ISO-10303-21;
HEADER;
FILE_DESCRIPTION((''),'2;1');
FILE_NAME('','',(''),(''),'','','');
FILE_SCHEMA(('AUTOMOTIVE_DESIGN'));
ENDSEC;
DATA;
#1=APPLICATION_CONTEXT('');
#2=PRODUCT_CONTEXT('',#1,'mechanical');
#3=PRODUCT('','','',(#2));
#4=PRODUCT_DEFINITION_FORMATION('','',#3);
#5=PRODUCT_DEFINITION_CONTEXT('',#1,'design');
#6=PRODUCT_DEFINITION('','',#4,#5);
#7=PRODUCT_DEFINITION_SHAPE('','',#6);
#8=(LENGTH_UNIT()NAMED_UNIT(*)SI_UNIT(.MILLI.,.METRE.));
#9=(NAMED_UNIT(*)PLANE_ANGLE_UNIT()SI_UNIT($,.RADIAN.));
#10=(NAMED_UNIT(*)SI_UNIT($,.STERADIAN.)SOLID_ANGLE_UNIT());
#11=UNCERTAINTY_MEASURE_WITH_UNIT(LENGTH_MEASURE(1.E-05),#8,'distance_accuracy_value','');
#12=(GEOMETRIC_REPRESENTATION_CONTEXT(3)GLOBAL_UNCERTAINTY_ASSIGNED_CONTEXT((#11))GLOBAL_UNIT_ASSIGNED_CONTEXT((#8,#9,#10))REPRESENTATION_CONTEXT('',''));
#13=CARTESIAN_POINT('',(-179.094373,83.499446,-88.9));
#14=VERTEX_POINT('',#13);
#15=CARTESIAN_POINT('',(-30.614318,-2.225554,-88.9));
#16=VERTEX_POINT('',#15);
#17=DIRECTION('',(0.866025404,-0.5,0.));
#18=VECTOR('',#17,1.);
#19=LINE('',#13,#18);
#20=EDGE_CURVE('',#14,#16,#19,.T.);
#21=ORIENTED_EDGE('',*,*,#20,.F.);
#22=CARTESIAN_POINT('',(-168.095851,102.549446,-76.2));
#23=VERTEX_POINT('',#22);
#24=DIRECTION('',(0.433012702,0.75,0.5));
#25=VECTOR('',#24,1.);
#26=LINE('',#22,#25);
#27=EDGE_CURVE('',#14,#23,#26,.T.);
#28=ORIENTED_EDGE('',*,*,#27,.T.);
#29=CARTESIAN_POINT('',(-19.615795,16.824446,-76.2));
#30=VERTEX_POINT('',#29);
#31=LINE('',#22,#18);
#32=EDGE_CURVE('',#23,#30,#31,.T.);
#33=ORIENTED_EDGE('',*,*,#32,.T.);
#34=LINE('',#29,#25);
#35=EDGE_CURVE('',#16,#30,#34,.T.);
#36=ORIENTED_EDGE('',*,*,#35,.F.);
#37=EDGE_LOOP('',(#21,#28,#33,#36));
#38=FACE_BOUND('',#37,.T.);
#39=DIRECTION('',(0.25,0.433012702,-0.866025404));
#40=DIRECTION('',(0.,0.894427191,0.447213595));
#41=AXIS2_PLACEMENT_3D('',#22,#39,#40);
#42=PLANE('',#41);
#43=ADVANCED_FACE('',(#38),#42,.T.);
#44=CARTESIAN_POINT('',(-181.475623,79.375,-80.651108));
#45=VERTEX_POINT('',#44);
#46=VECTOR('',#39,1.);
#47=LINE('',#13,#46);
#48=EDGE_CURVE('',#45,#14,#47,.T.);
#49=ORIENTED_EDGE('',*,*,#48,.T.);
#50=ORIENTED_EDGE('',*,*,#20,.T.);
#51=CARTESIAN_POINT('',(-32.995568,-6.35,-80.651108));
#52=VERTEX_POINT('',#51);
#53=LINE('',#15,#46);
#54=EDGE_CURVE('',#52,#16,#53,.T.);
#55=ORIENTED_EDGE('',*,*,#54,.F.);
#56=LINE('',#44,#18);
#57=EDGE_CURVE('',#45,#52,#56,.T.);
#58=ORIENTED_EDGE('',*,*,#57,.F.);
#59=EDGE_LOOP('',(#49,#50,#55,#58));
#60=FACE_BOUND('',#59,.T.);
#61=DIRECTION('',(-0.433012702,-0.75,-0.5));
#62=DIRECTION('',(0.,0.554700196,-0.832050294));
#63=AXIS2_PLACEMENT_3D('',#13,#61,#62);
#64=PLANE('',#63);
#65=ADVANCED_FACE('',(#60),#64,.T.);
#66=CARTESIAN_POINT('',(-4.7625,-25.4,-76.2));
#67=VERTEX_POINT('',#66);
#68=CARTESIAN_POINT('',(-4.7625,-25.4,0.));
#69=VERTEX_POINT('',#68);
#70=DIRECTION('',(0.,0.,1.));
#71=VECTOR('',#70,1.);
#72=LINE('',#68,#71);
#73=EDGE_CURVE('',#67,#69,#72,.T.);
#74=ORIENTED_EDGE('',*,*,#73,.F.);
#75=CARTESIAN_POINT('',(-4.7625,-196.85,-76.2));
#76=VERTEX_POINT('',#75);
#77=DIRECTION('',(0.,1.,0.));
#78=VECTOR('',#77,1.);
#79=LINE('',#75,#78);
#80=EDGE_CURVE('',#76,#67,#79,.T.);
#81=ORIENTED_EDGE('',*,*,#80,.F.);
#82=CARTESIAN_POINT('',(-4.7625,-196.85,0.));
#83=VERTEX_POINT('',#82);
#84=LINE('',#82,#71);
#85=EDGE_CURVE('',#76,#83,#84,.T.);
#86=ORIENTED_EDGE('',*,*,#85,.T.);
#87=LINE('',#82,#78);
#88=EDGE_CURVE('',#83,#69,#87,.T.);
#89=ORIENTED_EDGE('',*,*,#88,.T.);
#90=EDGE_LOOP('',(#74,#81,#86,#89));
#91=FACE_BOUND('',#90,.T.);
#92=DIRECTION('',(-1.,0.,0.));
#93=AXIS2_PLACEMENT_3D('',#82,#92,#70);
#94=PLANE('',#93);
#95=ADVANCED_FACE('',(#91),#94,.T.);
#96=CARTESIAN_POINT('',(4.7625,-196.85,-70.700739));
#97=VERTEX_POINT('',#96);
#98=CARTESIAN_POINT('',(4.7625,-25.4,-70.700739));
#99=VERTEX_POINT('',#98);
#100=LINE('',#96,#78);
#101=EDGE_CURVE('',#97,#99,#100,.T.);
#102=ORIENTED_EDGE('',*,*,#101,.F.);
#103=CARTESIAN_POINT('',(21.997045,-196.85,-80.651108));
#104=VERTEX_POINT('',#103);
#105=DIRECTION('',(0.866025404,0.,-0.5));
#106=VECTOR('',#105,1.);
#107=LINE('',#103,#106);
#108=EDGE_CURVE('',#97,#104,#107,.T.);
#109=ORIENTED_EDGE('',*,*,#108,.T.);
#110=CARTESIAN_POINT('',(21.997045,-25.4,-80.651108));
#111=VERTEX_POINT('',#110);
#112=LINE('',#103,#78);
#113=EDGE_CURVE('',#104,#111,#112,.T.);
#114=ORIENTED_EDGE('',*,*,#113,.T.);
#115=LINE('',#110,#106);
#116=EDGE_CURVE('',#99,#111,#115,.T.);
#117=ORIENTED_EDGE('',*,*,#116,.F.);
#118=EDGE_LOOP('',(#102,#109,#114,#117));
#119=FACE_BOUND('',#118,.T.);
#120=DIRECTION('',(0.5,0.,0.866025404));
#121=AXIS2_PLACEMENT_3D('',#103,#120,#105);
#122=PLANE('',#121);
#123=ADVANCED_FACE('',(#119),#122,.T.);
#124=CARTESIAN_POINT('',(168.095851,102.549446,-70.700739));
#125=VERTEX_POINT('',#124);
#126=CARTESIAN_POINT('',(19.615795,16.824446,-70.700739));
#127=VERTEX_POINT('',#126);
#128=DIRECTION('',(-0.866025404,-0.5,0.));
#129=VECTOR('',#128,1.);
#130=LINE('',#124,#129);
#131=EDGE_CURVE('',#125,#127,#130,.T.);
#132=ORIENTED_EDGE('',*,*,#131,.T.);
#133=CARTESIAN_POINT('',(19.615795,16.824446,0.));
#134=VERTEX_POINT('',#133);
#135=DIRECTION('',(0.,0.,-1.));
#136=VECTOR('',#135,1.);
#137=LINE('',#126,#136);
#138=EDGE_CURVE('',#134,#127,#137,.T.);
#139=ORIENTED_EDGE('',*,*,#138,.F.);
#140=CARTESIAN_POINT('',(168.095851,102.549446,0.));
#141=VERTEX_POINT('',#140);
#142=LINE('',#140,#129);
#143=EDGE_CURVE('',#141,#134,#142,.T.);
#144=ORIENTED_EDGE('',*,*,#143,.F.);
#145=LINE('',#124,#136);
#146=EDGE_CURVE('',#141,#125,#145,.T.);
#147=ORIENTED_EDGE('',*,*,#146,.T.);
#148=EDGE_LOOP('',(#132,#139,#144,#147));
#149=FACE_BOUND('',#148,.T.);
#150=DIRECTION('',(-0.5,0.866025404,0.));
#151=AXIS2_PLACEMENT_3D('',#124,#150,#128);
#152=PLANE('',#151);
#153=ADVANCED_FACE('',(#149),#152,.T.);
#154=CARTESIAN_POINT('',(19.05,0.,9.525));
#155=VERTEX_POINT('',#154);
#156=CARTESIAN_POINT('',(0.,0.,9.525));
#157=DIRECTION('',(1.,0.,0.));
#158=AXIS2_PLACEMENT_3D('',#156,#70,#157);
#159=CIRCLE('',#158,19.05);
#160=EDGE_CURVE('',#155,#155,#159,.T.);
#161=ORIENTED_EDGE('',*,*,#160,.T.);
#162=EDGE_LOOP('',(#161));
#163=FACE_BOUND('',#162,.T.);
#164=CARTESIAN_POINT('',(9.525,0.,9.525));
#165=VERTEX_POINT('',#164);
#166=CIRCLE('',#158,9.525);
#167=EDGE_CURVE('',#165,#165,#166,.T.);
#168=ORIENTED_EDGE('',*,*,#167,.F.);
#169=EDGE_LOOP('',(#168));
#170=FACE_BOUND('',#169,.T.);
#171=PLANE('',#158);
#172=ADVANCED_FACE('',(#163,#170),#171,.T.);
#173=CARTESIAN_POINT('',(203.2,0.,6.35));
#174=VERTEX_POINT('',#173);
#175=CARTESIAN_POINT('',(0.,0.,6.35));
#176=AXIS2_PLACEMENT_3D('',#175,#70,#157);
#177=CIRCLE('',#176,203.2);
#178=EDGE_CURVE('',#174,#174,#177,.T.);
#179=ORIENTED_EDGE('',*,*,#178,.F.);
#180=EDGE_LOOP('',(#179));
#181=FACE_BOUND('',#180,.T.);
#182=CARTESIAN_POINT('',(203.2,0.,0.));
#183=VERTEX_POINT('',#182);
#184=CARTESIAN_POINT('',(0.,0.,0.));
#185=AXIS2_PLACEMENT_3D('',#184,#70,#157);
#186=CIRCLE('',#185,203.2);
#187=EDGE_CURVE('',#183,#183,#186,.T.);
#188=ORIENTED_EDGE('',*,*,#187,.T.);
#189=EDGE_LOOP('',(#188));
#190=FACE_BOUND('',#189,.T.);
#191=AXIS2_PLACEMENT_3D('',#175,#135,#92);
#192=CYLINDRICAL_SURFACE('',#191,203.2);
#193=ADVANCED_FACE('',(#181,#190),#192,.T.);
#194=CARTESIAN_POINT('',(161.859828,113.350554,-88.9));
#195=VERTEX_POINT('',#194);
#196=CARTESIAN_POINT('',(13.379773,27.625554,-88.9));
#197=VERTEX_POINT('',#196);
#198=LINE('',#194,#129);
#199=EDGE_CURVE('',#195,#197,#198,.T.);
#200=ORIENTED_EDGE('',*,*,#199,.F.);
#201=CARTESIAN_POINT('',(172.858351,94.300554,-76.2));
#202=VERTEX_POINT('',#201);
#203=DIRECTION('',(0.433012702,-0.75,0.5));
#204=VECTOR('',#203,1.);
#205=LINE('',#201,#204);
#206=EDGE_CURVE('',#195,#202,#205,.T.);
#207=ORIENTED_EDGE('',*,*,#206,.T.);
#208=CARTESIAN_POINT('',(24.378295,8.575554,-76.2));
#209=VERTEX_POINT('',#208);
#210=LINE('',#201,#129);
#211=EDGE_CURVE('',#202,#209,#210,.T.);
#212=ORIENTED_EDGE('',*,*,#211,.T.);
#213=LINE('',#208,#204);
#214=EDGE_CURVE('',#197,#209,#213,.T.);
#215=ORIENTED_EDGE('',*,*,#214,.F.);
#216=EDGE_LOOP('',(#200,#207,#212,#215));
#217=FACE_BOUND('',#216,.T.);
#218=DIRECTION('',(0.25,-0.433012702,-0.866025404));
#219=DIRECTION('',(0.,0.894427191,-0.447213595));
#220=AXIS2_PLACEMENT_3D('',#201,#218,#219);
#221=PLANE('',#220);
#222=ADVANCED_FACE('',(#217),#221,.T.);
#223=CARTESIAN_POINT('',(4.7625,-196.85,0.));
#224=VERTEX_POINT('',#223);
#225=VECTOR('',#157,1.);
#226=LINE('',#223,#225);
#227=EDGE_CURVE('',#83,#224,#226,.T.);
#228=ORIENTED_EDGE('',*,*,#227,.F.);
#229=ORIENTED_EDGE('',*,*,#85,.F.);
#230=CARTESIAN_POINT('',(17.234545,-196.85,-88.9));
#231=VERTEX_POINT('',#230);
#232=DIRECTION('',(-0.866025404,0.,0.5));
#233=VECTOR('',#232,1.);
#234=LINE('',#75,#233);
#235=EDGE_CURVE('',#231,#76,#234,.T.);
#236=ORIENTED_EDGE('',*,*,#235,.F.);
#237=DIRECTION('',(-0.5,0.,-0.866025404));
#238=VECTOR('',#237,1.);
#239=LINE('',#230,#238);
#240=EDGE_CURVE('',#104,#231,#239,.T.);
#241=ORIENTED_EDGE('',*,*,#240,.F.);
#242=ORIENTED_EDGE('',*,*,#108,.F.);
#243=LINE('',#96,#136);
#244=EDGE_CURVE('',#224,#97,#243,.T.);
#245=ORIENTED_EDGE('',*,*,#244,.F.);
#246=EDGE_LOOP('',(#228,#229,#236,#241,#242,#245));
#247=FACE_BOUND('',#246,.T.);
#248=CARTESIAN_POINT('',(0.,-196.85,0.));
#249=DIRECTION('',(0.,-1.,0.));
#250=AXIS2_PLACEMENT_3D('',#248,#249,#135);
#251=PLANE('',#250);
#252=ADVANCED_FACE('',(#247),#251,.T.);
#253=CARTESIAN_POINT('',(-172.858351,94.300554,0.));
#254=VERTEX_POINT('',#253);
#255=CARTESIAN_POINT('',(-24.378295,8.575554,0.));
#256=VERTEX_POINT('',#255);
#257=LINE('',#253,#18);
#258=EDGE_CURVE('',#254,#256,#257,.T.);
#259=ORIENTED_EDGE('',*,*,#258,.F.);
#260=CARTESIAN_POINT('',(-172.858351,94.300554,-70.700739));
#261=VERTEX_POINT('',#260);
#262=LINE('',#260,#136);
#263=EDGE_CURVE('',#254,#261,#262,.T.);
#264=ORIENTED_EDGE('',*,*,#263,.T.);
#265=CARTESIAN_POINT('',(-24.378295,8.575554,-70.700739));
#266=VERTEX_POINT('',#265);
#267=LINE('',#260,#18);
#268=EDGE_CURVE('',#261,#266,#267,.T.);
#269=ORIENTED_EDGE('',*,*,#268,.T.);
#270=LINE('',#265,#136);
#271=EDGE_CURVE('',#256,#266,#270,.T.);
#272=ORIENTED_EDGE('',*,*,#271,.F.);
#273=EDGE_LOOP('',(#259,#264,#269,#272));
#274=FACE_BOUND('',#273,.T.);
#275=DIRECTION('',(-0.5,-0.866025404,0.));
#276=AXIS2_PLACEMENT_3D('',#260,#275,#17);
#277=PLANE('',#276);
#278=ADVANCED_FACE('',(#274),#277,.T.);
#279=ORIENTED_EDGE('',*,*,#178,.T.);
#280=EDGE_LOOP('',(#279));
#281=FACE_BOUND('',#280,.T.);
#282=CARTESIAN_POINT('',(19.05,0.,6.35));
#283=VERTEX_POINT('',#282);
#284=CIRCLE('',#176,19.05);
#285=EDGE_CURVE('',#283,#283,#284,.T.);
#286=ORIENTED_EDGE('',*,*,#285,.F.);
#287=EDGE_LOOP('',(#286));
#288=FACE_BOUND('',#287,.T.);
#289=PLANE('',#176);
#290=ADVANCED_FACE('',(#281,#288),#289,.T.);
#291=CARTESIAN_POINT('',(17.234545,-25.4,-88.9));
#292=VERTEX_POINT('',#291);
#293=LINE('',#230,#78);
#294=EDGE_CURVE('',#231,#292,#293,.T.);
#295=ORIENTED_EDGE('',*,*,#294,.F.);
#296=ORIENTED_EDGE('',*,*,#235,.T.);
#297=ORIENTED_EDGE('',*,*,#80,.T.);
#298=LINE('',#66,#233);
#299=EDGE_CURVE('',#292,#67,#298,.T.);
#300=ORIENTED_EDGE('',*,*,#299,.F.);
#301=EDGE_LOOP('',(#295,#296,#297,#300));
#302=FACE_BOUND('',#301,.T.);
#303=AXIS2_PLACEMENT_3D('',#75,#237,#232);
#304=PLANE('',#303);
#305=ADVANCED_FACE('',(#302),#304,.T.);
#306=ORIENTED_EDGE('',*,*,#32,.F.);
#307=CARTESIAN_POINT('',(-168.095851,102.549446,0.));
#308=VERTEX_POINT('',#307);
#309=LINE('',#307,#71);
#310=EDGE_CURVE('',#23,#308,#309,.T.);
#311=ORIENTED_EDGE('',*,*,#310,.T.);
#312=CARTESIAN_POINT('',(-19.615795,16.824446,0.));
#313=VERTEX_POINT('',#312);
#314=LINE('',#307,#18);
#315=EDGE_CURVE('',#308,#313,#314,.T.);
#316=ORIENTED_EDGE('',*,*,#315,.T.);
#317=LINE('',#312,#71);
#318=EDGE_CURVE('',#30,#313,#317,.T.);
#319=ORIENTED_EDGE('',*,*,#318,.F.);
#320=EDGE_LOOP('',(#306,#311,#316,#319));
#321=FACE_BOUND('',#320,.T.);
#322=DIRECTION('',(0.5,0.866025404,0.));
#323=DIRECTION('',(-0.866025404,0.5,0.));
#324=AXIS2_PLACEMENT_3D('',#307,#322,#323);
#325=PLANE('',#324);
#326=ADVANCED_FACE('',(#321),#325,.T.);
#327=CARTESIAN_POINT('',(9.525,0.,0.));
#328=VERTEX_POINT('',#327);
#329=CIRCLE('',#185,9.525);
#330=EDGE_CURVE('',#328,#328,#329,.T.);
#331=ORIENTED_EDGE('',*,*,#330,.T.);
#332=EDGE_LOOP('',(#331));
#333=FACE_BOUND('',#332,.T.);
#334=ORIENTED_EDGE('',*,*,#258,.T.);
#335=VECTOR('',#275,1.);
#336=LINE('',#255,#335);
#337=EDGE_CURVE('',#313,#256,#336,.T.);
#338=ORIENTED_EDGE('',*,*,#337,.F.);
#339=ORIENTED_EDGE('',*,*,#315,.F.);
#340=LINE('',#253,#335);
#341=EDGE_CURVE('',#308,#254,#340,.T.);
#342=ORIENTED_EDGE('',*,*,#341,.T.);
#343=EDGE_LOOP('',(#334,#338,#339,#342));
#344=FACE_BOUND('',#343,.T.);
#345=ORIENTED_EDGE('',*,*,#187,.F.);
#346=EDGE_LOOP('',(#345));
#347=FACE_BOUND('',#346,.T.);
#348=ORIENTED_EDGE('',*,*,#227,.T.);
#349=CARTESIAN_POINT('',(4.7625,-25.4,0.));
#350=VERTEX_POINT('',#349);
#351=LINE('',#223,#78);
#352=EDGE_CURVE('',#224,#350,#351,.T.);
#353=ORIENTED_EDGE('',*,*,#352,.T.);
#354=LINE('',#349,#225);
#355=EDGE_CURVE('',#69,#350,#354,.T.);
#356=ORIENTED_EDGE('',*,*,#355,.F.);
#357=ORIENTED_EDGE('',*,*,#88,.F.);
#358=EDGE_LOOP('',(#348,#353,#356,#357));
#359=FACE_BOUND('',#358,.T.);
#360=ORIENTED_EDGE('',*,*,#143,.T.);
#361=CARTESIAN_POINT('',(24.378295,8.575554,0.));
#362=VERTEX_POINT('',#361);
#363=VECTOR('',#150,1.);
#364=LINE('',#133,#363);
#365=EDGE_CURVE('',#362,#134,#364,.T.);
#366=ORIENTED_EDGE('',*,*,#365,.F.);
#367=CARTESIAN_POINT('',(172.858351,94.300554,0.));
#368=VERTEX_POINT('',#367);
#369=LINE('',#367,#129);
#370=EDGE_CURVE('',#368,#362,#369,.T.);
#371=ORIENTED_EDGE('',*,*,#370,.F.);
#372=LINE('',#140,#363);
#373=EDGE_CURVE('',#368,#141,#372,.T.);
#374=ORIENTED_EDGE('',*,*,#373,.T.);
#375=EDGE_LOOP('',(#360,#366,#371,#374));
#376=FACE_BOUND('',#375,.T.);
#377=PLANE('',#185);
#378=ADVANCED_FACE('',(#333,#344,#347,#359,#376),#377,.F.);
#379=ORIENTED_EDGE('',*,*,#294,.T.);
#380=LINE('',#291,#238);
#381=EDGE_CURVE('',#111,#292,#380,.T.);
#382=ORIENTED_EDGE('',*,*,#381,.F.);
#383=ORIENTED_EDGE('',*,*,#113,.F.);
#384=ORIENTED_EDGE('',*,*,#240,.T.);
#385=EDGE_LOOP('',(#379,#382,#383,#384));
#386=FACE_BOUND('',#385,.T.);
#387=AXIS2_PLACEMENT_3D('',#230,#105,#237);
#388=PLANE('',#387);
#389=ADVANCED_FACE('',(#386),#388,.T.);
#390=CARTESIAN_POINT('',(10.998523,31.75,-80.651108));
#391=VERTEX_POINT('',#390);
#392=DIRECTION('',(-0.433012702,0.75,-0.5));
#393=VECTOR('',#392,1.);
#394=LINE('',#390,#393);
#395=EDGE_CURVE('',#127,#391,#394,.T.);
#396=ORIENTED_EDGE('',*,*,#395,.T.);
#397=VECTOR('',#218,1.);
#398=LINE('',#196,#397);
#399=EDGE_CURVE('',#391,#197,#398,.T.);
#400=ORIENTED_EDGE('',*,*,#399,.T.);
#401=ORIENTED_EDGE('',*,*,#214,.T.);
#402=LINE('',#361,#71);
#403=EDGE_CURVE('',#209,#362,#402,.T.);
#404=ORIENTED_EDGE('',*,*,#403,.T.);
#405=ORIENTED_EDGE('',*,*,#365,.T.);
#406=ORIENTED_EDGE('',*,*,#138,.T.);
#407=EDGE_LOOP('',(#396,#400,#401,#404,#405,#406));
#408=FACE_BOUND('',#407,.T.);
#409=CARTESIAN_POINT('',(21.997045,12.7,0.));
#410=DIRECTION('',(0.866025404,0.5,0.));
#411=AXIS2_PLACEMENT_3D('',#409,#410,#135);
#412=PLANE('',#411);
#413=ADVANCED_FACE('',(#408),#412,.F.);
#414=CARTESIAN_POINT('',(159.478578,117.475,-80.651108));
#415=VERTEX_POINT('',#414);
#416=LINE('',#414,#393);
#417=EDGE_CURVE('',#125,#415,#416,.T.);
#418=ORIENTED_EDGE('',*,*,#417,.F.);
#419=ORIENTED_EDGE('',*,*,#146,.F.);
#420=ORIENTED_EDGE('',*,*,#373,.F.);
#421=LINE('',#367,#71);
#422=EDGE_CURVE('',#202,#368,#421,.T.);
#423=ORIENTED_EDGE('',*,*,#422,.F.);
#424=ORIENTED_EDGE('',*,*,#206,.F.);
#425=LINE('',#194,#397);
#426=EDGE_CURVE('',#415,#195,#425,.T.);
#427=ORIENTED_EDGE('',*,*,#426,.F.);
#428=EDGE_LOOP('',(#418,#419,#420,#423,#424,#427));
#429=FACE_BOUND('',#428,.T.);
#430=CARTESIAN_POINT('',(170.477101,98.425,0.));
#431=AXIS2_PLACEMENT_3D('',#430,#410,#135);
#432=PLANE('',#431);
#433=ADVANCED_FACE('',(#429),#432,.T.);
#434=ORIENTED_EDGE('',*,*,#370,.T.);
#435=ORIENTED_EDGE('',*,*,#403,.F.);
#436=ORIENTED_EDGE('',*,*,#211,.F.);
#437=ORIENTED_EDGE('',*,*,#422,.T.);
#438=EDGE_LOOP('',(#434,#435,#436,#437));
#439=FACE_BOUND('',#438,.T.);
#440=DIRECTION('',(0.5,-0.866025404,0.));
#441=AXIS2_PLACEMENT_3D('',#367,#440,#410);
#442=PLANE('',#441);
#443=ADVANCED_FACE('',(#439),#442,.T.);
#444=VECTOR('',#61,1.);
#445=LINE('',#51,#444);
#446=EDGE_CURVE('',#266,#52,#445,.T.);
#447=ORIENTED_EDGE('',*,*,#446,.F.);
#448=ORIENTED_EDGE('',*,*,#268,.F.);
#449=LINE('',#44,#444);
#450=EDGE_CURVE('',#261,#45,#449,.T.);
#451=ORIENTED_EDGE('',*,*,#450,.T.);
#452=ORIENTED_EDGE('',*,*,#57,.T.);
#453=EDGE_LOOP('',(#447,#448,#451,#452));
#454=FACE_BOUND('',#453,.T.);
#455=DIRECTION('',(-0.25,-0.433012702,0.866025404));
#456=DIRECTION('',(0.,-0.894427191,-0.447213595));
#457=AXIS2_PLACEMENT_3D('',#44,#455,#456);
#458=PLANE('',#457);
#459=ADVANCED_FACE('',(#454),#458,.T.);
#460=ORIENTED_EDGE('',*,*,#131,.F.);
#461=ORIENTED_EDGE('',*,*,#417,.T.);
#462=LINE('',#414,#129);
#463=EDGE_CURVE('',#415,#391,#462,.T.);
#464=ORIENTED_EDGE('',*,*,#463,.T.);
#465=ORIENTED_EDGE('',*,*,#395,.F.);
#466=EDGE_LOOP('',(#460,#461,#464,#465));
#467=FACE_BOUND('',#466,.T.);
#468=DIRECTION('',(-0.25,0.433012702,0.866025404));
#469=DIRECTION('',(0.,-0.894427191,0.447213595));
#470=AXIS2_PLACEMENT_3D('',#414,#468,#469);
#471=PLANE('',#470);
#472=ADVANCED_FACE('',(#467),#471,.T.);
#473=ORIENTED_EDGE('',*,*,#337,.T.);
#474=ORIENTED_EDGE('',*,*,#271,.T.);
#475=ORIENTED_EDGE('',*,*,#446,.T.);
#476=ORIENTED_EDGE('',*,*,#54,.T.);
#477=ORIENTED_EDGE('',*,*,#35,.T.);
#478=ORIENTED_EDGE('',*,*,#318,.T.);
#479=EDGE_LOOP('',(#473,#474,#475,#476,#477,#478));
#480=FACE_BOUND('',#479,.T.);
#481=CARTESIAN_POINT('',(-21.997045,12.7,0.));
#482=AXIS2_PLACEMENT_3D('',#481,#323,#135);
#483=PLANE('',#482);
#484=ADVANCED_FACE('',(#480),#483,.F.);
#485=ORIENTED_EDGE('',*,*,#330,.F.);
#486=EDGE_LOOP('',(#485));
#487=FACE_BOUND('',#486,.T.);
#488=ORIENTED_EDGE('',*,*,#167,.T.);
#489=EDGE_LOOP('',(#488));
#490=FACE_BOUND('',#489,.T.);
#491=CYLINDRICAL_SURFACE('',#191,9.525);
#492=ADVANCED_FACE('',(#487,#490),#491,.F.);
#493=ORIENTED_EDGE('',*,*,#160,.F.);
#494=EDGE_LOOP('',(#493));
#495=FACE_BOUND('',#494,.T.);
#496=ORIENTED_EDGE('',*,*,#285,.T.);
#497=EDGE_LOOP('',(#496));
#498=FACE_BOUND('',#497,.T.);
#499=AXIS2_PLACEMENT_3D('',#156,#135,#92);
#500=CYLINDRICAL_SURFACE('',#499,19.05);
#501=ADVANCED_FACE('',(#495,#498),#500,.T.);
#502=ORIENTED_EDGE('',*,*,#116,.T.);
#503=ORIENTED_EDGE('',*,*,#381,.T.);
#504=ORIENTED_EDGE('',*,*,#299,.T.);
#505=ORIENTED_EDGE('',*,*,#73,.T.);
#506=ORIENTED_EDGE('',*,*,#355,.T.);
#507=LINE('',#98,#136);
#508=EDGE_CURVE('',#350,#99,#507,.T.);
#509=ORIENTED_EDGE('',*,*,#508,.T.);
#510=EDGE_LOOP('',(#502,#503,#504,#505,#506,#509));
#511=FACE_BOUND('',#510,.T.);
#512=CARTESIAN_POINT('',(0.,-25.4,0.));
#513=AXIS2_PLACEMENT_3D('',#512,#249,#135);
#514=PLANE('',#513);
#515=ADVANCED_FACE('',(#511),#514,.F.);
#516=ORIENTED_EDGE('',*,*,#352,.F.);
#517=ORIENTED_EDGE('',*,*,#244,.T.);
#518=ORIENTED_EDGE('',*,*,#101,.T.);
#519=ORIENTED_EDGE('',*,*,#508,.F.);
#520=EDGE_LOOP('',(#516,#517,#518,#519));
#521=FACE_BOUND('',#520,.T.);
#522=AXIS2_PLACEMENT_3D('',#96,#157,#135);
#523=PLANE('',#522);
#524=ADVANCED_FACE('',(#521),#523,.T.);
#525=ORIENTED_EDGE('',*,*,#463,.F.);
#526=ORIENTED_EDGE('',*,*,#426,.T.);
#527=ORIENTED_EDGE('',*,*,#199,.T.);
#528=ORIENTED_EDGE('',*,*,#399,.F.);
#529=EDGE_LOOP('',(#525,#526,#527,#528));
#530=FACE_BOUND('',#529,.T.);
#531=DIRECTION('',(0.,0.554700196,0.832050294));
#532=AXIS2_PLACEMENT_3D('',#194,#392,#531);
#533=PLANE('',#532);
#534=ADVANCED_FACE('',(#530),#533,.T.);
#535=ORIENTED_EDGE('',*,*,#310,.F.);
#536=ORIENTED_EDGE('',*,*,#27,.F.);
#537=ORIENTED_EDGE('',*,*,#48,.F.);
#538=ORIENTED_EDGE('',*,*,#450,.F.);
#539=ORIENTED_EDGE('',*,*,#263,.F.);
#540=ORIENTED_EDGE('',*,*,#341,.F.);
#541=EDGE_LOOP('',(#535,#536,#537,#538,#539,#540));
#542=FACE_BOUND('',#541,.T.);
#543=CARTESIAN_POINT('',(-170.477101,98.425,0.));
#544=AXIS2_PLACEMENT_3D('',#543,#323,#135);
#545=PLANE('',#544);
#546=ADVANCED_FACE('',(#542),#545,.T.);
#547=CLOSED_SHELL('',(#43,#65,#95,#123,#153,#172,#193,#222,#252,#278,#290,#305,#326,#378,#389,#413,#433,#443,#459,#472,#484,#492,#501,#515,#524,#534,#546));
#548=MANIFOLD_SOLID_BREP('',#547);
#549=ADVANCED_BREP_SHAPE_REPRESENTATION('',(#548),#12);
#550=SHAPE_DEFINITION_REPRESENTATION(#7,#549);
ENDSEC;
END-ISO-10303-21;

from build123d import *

# Parameters (mm, degrees)
SKETCH1_R           = 203.2
SKETCH1_R_2         = 9.525
BOSS_EXTRUDE1_DEPTH = 6.35
BOSS_EXTRUDE2_DEPTH = 171.45
CIRPATTERN1_COUNT   = 3
SKETCH3_R           = 19.05
SKETCH3_R_2         = 9.525
BOSS_EXTRUDE3_DEPTH = 3.175


with BuildPart() as part:
    # Sketch1 → Boss-Extrude1 (new body)
    with BuildSketch(Plane.XY):
        Circle(SKETCH1_R)
        Circle(SKETCH1_R_2, mode=Mode.SUBTRACT)
    extrude(amount=BOSS_EXTRUDE1_DEPTH)

    # Sketch2 → Boss-Extrude2 (add)
    with BuildSketch(Plane(origin=(0, -25.4, 0), x_dir=(1, 0, 0), z_dir=(0, 1, 0))):
        Polygon((-4.7625, 0), (-4.7625, 76.2), (17.234545256, 88.9), (21.997045256, 80.651108029), (4.7625, 70.700738686), (4.7625, 0), align=None)
    boss_extrude2 = extrude(amount=-BOSS_EXTRUDE2_DEPTH)

    # CirPattern1: Boss-Extrude2 ×3 about axis
    cirpattern1_axis = Axis((0, 0, 0), (0, 0, 1))
    for i in range(1, CIRPATTERN1_COUNT):
        add(boss_extrude2.rotate(cirpattern1_axis, i * 360 / CIRPATTERN1_COUNT))

    # Sketch3 → Boss-Extrude3 (add)
    with BuildSketch(Plane.XY.offset(6.35)):
        Circle(SKETCH3_R)
        Circle(SKETCH3_R_2, mode=Mode.SUBTRACT)
    extrude(amount=BOSS_EXTRUDE3_DEPTH)


solid = part.part
